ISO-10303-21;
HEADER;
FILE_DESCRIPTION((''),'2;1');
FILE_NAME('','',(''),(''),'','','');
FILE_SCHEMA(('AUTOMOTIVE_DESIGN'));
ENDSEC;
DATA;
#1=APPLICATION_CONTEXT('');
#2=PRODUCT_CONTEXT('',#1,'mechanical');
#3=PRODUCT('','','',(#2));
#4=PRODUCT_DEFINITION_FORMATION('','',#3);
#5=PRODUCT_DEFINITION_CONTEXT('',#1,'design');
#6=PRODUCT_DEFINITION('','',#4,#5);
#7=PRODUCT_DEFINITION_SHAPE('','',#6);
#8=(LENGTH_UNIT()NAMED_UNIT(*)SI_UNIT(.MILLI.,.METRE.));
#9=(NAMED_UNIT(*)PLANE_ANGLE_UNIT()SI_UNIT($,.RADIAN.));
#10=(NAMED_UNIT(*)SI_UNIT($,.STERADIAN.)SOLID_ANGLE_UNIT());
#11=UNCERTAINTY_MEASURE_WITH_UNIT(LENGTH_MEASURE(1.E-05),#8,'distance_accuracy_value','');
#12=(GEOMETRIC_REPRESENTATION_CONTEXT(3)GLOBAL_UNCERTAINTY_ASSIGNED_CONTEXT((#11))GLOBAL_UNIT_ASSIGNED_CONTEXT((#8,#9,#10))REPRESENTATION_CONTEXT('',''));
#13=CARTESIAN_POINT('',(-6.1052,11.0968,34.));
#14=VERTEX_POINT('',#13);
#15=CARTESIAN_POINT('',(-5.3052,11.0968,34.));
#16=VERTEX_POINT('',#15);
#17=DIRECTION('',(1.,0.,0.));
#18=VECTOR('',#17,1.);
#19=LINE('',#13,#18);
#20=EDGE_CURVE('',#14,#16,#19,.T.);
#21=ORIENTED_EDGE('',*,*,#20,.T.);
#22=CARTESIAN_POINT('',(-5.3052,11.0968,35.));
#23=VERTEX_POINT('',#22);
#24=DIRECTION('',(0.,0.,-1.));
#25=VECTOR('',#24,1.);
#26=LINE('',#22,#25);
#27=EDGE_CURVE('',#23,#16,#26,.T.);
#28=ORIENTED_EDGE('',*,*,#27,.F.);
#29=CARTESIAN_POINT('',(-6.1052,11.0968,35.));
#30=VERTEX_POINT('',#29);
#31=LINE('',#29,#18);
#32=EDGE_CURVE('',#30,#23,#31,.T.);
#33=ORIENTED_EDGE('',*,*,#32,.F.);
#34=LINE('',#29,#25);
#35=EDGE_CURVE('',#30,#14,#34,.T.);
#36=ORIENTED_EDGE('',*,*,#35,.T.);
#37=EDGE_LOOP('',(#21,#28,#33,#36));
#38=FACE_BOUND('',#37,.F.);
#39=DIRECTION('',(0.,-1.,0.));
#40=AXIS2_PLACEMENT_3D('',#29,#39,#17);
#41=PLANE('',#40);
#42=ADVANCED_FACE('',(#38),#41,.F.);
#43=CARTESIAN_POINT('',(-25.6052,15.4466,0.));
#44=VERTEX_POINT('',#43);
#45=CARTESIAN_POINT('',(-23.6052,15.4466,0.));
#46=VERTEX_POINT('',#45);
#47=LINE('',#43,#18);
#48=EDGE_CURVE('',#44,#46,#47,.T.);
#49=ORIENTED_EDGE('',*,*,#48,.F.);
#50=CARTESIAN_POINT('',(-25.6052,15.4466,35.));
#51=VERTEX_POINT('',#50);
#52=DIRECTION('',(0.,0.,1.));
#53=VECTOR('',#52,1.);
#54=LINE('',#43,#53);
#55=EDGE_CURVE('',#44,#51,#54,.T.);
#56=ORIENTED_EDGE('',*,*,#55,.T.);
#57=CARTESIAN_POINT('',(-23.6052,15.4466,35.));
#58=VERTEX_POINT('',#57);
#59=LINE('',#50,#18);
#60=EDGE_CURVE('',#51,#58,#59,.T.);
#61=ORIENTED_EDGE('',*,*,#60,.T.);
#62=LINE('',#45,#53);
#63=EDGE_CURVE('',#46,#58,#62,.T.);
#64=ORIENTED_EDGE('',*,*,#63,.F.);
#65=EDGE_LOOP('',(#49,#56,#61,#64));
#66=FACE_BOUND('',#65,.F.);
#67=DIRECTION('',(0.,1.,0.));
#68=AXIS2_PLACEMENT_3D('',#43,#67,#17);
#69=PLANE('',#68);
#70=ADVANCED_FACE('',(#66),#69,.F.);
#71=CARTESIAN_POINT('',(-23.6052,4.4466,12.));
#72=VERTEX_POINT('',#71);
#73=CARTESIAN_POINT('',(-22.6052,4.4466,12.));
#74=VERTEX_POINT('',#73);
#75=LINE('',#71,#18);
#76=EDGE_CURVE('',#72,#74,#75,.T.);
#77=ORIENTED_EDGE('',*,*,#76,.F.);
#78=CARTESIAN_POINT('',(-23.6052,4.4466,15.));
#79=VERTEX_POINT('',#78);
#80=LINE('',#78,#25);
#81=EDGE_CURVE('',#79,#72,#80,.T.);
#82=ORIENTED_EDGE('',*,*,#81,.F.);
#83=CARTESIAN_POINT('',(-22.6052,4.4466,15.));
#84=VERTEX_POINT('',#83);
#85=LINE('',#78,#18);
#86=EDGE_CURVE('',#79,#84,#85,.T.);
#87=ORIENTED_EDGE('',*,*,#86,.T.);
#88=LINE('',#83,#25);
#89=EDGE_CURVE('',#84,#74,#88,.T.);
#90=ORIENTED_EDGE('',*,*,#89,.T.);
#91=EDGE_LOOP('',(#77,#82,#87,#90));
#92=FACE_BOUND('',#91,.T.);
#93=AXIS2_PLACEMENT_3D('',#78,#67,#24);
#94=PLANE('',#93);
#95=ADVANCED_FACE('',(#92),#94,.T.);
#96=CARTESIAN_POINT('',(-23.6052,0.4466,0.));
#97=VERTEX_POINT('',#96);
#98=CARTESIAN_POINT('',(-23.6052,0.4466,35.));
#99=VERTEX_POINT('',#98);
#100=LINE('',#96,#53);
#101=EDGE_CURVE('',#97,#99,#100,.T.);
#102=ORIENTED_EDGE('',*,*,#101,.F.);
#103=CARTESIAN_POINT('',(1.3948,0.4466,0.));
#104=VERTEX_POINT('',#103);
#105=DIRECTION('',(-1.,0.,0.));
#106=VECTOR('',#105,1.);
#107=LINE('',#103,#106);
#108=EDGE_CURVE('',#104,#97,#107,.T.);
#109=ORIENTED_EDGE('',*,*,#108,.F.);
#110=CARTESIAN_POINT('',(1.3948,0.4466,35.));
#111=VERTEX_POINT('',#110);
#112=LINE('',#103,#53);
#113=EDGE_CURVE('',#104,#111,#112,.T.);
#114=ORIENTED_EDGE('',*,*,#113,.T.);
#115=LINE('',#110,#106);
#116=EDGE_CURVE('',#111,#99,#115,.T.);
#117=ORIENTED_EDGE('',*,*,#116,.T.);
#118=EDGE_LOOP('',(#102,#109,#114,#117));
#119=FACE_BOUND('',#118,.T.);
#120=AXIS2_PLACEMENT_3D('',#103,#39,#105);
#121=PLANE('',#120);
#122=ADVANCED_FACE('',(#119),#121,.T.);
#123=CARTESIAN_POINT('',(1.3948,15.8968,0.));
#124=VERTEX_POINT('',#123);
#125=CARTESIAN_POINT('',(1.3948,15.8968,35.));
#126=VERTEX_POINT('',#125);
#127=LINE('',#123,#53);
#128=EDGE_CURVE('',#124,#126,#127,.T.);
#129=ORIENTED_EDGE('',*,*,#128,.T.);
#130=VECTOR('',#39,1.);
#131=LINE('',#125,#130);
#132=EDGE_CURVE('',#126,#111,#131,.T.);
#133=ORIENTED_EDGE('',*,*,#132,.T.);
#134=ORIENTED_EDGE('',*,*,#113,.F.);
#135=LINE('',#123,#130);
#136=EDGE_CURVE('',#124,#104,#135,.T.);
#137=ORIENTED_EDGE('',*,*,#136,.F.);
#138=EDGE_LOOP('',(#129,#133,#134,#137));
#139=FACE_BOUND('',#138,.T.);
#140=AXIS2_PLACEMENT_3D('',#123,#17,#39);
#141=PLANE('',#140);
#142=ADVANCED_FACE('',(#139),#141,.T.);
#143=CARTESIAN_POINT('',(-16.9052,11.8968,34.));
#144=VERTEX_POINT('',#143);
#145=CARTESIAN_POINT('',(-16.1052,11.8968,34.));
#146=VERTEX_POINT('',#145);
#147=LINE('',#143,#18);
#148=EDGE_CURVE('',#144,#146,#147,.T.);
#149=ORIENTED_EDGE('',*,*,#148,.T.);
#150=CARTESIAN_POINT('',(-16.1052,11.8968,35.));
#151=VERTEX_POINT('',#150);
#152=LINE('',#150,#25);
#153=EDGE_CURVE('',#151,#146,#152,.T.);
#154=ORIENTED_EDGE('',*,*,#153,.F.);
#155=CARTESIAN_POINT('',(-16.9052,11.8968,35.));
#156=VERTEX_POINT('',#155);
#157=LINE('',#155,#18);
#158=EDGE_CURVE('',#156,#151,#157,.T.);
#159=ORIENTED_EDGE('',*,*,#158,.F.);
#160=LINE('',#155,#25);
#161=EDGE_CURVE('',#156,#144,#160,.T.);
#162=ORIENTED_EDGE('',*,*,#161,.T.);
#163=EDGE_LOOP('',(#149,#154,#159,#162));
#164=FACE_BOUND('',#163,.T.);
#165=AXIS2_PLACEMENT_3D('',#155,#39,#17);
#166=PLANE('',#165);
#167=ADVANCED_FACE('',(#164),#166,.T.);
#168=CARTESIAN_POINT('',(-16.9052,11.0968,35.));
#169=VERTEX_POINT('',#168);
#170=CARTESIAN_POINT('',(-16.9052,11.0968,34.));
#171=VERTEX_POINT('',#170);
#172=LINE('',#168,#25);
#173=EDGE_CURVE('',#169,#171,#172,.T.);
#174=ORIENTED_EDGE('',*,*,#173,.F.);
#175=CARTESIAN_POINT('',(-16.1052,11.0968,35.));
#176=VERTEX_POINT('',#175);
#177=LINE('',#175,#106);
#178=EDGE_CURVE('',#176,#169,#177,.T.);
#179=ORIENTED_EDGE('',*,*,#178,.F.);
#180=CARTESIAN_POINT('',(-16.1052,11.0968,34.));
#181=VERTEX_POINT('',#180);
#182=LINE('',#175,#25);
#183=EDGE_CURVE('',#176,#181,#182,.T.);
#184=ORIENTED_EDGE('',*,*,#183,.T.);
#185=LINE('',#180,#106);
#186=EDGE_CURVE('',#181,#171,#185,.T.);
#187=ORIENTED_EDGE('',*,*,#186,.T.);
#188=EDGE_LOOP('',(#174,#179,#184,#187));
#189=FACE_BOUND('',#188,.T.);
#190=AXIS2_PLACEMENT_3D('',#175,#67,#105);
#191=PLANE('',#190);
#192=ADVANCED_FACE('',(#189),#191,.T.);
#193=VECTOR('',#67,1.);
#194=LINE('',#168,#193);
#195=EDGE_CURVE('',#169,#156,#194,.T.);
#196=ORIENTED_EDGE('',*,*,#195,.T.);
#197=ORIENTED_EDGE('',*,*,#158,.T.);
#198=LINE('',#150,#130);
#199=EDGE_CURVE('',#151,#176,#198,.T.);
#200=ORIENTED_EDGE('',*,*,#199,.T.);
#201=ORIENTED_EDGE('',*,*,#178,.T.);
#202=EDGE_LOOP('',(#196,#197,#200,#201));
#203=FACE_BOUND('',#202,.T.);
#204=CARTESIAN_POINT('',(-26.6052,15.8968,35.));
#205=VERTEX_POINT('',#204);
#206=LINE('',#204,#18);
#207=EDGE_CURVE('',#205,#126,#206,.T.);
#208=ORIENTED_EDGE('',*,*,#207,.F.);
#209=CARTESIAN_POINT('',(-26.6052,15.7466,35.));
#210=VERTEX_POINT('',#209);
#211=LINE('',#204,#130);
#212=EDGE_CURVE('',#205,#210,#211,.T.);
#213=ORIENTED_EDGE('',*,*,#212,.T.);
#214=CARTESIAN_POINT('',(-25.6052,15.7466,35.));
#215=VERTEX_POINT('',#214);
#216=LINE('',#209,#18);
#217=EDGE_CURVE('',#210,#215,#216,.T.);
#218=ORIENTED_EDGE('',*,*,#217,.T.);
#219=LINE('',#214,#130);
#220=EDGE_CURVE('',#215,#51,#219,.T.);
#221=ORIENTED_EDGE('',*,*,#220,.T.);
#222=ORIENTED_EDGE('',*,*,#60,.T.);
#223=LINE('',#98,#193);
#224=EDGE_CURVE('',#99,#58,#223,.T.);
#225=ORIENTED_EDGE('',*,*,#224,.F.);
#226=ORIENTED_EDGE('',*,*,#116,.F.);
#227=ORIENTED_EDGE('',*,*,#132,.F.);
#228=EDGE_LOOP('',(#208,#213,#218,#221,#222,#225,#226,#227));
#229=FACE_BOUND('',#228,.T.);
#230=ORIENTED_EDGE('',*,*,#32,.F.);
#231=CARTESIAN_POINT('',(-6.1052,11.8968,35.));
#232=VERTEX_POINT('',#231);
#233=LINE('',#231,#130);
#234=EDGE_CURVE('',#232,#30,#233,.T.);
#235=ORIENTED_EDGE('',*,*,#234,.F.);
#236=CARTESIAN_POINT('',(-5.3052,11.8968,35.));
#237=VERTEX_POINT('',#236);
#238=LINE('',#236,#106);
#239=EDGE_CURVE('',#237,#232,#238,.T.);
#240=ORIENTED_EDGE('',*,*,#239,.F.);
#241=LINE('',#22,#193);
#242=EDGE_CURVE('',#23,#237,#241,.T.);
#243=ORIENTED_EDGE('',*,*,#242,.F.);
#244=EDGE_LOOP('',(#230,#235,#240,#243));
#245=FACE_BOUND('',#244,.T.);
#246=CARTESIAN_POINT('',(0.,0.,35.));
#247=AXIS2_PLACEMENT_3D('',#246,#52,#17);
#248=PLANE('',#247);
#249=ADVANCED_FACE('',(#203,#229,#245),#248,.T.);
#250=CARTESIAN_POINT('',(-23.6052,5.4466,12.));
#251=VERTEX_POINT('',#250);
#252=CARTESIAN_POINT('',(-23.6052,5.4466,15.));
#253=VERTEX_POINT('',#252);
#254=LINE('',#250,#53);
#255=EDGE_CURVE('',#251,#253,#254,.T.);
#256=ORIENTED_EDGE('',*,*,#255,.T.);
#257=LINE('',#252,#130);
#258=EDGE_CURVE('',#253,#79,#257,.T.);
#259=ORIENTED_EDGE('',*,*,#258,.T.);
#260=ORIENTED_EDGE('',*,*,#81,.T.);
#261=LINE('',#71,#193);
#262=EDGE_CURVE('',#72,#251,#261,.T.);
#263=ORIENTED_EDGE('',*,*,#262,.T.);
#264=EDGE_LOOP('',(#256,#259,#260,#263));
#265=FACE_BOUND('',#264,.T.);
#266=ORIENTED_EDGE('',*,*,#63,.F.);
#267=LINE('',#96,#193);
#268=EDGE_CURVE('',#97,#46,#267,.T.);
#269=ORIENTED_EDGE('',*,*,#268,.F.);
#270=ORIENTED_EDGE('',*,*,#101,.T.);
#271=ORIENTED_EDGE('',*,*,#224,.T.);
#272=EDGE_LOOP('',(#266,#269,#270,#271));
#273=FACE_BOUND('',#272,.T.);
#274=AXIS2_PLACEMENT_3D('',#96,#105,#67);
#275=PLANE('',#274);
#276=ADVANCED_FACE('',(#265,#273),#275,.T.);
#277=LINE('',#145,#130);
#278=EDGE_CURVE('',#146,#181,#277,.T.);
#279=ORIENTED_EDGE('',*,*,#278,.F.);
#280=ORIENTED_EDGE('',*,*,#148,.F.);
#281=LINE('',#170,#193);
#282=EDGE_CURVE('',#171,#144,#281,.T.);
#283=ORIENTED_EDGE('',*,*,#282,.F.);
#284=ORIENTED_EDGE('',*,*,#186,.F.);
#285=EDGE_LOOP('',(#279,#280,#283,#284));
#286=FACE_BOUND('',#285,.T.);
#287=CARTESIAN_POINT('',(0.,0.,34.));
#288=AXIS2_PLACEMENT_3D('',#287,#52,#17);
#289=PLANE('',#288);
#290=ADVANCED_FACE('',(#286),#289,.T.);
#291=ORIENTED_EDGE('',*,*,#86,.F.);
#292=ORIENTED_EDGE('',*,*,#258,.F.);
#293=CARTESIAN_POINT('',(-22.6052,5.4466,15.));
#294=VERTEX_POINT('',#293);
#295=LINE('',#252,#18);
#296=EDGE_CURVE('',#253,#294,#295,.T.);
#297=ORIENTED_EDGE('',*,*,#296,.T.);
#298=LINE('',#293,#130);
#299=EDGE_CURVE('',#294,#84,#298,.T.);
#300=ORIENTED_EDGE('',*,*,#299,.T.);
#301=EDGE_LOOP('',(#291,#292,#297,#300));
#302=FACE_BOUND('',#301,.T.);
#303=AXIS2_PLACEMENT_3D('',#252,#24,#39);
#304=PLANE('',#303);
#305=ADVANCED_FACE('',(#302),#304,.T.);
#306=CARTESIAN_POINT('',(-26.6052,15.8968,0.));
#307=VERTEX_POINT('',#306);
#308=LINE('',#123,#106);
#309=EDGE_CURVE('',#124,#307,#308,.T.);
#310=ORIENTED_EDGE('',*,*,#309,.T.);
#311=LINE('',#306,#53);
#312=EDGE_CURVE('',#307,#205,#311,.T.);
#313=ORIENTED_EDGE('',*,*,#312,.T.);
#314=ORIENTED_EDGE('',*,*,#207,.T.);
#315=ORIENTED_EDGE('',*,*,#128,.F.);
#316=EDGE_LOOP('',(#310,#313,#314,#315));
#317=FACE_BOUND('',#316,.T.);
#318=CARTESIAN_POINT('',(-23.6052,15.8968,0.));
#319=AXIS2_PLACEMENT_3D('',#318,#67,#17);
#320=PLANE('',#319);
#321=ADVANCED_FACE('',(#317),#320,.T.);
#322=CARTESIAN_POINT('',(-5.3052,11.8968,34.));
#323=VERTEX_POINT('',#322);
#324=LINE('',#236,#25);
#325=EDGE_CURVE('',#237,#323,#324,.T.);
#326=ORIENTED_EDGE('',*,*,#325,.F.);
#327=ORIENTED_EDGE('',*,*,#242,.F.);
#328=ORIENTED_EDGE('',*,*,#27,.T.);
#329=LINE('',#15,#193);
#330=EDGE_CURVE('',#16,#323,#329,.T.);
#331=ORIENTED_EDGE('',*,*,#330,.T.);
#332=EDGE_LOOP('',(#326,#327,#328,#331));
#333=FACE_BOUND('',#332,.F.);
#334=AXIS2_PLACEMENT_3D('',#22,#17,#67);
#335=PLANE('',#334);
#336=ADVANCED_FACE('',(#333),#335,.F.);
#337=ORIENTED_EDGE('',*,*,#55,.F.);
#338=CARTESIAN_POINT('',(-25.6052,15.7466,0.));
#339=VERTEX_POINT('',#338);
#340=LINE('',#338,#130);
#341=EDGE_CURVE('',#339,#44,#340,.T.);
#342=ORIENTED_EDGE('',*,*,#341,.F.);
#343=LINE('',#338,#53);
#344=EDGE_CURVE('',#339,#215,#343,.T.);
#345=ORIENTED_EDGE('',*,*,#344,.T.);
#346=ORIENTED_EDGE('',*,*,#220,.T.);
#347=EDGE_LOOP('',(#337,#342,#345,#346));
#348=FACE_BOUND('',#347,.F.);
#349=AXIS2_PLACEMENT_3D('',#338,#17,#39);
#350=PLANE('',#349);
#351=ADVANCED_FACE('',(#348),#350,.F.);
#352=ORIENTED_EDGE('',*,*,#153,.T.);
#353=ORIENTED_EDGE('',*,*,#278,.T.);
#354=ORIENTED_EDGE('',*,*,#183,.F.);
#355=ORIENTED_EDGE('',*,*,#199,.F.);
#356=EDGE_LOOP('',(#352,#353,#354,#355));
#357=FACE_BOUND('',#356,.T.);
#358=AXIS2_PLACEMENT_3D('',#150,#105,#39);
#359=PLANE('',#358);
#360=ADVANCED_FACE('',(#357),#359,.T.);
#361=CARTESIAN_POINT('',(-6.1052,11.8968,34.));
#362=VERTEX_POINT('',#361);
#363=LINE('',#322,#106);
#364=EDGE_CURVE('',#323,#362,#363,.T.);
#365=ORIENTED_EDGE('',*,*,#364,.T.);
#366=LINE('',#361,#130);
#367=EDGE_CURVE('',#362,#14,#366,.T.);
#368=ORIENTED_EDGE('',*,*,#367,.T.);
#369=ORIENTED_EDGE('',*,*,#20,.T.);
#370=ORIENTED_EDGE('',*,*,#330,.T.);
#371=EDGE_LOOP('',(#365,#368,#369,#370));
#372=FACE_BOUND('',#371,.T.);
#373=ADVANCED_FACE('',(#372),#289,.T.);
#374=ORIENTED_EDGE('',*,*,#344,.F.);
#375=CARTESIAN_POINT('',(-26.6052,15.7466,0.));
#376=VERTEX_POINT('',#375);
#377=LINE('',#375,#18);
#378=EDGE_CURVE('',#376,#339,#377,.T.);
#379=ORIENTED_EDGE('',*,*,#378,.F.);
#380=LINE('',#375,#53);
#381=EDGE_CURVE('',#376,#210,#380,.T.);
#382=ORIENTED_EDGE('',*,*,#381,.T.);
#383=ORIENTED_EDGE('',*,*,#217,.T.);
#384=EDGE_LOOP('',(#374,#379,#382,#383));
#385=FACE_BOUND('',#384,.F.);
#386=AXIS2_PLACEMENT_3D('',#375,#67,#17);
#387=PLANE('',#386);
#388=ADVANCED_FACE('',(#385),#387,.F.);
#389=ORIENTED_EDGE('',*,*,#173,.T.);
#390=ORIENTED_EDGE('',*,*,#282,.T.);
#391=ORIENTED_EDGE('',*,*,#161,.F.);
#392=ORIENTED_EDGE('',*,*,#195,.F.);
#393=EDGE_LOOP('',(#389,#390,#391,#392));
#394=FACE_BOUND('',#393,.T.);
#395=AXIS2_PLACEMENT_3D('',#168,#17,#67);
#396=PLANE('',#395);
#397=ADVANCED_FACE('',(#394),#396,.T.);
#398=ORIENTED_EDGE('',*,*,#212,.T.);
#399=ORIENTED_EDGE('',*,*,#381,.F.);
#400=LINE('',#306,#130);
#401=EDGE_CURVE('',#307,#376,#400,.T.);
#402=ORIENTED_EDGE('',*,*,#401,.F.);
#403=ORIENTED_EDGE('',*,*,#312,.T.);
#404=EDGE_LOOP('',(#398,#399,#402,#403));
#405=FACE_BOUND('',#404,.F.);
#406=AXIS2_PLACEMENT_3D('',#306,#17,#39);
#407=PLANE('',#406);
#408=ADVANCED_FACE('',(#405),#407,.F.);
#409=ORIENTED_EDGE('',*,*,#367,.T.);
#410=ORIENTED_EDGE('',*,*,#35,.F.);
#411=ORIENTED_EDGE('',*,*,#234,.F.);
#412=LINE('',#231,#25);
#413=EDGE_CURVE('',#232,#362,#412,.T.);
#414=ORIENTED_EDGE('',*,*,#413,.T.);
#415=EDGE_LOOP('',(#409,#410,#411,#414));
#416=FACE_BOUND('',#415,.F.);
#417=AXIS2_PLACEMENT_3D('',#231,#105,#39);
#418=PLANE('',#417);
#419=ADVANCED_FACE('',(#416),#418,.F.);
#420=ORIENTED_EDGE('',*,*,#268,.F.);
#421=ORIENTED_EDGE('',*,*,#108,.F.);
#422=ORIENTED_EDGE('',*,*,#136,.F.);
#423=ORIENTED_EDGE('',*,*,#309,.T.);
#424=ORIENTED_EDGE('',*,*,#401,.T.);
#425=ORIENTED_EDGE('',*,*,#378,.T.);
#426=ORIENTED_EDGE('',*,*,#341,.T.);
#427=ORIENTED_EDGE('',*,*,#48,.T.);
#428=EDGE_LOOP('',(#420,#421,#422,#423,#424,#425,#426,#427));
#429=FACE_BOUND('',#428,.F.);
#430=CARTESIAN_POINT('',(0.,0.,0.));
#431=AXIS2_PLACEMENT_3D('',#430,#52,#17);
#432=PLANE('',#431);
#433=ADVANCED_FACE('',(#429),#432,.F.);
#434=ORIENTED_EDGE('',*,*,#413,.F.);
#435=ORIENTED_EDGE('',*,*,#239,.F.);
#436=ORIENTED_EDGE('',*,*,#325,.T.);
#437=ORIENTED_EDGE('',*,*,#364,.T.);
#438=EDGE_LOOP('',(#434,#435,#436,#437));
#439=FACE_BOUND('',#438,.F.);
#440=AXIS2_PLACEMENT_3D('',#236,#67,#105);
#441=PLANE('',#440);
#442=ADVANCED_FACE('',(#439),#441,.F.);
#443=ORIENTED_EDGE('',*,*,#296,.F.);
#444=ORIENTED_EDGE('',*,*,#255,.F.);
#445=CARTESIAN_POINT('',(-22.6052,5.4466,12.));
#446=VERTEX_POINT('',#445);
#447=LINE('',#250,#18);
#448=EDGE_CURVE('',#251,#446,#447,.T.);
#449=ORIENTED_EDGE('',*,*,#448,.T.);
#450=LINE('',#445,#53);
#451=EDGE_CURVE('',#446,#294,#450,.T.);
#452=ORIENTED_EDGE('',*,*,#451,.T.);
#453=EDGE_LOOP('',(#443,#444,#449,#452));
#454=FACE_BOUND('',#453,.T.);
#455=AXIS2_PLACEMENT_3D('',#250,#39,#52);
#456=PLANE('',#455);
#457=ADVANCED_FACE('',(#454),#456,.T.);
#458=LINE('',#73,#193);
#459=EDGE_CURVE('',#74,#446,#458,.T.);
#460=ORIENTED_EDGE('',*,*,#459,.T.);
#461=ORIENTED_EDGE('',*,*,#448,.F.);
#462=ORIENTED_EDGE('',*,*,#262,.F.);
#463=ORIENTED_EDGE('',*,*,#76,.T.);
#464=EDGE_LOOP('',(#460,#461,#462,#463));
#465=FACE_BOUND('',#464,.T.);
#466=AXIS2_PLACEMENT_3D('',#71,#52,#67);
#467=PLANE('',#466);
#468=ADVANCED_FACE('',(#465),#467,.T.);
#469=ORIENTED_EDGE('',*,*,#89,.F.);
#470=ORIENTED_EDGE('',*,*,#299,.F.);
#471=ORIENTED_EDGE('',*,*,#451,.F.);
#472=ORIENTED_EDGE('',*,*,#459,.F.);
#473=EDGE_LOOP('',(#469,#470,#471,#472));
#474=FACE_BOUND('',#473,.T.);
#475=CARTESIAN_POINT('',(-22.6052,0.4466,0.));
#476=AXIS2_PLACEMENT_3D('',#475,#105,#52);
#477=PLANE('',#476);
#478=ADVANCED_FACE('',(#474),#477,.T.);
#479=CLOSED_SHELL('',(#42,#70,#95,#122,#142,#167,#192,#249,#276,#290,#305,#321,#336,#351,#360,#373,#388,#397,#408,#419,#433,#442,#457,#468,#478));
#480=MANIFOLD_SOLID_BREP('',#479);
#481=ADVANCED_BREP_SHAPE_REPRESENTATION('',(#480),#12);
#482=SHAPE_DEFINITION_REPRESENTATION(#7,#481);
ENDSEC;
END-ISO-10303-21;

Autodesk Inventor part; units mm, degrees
ref_plane "YZ Plane" through (0, 0, 0) normal (1, 0, 0) x (0, 1, 0)
ref_plane "XZ Plane" through (0, 0, 0) normal (0, 1, 0) x (-1, 0, 0)
ref_plane "XY Plane" through (0, 0, 0) normal (0, 0, 1) x (1, 0, 0)
sketch "Sketch1" plane through (0, 0, 0) normal (0, 0, 1) x (1, 0, 0)
  line L0 (-23.6052, 15.8968) -> (1.3948, 15.8968)
  line L1 (1.3948, 15.8968) -> (1.3948, 0.4466)
  line L2 (1.3948, 0.4466) -> (-23.6052, 0.4466)
  line L3 (-23.6052, 0.4466) -> (-23.6052, 15.4466)
  line L4 (-23.6052, 15.8968) -> (-26.1052, 15.8968)
  line L5 (-25.6052, 15.7466) -> (-25.6052, 15.4466)
  line L6 (-25.6052, 15.4466) -> (-23.6052, 15.4466)
  line L7 (-26.1052, 15.8968) -> (-26.6052, 15.8968)
  line L8 (-26.6052, 15.8968) -> (-26.6052, 15.7466)
  line L9 (-26.6052, 15.7466) -> (-25.6052, 15.7466)
  point P0 (0, 0)
  dimension "d0" = 15
  dimension "d1" = 25
  dimension "d2" = 2
  dimension "d3" = 1
  dimension "d4" = 2.5
  dimension "d5" = 0.5
  dimension "d6" = 0.1502
  dimension "d7" = 0.3
extrude "Extrusion1" add sketch "Sketch1" along normal blind 35
sketch "Sketch4" plane through (0, 0, 35) normal (0, 0, 1) x (1, 0, 0)
  line L0 (-26.6052, 15.8968) -> (-26.6052, 15.7466) projected
  line L1 (-26.6052, 15.7466) -> (-25.6052, 15.7466) projected
  line L2 (-25.6052, 15.7466) -> (-25.6052, 15.4466) projected
  line L3 (-25.6052, 15.4466) -> (-23.6052, 15.4466) projected
  line L4 (-23.6052, 15.4466) -> (-23.6052, 0.4466) projected
  line L5 (-23.6052, 0.4466) -> (1.3948, 0.4466) projected
  line L6 (1.3948, 0.4466) -> (1.3948, 15.8968) projected
  line L7 (1.3948, 15.8968) -> (-26.6052, 15.8968) projected
  line L8 (-16.9052, 11.8968) -> (-16.1052, 11.8968)
  line L9 (-16.1052, 11.8968) -> (-16.1052, 11.0968)
  line L10 (-16.1052, 11.0968) -> (-16.9052, 11.0968)
  line L11 (-16.9052, 11.0968) -> (-16.9052, 11.8968)
  line L12 (-23.6052, 0.4466) -> (1.3948, 0.4466) projected
  line L13 (-11.1052, 0.4466) -> (-11.1052, 15.8968)
  line L14 (1.3948, 15.8968) -> (-26.6052, 15.8968) projected
  line L15 (-5.3052, 11.8968) -> (-6.1052, 11.8968)
  line L16 (-6.1052, 11.8968) -> (-6.1052, 11.0968)
  line L17 (-6.1052, 11.0968) -> (-5.3052, 11.0968)
  line L18 (-5.3052, 11.0968) -> (-5.3052, 11.8968)
  point P0 (0, 0)
  dimension "d26" = 10
  dimension "d27" = 0.8
  dimension "d28" = 0.8
  dimension "d29" = 4
extrude "Extrusion2" cut sketch "Sketch4" against normal blind 1 contours L8 L9 L10 L11 | L18 L17 L16 L15
sketch "Sketch5" plane through (-23.6052, 0.4466, 0) normal (-1, 0, 0) x (0, 0, 1)
  line L0 (0, 15) -> (0, 0) projected
  line L1 (0, 0) -> (35, 0) projected
  line L2 (35, 15) -> (35, 0) projected
  line L3 (0, 15) -> (35, 15) projected
  line L4 (12, 5) -> (15, 5)
  line L5 (15, 5) -> (15, 4)
  line L6 (15, 4) -> (12, 4)
  line L7 (12, 4) -> (12, 5)
  point P0 (0, -0.4466)
  dimension "d32" = 1
  dimension "d33" = 3
  dimension "d34" = 10
  dimension "d35" = 20
extrude "Extrusion3" cut sketch "Sketch5" against normal blind 1 contours L4 L5 L6 L7
equation "\"d28\" = d27"
properties part number "McCrea_zadne_oko_walle" material "Silver"
